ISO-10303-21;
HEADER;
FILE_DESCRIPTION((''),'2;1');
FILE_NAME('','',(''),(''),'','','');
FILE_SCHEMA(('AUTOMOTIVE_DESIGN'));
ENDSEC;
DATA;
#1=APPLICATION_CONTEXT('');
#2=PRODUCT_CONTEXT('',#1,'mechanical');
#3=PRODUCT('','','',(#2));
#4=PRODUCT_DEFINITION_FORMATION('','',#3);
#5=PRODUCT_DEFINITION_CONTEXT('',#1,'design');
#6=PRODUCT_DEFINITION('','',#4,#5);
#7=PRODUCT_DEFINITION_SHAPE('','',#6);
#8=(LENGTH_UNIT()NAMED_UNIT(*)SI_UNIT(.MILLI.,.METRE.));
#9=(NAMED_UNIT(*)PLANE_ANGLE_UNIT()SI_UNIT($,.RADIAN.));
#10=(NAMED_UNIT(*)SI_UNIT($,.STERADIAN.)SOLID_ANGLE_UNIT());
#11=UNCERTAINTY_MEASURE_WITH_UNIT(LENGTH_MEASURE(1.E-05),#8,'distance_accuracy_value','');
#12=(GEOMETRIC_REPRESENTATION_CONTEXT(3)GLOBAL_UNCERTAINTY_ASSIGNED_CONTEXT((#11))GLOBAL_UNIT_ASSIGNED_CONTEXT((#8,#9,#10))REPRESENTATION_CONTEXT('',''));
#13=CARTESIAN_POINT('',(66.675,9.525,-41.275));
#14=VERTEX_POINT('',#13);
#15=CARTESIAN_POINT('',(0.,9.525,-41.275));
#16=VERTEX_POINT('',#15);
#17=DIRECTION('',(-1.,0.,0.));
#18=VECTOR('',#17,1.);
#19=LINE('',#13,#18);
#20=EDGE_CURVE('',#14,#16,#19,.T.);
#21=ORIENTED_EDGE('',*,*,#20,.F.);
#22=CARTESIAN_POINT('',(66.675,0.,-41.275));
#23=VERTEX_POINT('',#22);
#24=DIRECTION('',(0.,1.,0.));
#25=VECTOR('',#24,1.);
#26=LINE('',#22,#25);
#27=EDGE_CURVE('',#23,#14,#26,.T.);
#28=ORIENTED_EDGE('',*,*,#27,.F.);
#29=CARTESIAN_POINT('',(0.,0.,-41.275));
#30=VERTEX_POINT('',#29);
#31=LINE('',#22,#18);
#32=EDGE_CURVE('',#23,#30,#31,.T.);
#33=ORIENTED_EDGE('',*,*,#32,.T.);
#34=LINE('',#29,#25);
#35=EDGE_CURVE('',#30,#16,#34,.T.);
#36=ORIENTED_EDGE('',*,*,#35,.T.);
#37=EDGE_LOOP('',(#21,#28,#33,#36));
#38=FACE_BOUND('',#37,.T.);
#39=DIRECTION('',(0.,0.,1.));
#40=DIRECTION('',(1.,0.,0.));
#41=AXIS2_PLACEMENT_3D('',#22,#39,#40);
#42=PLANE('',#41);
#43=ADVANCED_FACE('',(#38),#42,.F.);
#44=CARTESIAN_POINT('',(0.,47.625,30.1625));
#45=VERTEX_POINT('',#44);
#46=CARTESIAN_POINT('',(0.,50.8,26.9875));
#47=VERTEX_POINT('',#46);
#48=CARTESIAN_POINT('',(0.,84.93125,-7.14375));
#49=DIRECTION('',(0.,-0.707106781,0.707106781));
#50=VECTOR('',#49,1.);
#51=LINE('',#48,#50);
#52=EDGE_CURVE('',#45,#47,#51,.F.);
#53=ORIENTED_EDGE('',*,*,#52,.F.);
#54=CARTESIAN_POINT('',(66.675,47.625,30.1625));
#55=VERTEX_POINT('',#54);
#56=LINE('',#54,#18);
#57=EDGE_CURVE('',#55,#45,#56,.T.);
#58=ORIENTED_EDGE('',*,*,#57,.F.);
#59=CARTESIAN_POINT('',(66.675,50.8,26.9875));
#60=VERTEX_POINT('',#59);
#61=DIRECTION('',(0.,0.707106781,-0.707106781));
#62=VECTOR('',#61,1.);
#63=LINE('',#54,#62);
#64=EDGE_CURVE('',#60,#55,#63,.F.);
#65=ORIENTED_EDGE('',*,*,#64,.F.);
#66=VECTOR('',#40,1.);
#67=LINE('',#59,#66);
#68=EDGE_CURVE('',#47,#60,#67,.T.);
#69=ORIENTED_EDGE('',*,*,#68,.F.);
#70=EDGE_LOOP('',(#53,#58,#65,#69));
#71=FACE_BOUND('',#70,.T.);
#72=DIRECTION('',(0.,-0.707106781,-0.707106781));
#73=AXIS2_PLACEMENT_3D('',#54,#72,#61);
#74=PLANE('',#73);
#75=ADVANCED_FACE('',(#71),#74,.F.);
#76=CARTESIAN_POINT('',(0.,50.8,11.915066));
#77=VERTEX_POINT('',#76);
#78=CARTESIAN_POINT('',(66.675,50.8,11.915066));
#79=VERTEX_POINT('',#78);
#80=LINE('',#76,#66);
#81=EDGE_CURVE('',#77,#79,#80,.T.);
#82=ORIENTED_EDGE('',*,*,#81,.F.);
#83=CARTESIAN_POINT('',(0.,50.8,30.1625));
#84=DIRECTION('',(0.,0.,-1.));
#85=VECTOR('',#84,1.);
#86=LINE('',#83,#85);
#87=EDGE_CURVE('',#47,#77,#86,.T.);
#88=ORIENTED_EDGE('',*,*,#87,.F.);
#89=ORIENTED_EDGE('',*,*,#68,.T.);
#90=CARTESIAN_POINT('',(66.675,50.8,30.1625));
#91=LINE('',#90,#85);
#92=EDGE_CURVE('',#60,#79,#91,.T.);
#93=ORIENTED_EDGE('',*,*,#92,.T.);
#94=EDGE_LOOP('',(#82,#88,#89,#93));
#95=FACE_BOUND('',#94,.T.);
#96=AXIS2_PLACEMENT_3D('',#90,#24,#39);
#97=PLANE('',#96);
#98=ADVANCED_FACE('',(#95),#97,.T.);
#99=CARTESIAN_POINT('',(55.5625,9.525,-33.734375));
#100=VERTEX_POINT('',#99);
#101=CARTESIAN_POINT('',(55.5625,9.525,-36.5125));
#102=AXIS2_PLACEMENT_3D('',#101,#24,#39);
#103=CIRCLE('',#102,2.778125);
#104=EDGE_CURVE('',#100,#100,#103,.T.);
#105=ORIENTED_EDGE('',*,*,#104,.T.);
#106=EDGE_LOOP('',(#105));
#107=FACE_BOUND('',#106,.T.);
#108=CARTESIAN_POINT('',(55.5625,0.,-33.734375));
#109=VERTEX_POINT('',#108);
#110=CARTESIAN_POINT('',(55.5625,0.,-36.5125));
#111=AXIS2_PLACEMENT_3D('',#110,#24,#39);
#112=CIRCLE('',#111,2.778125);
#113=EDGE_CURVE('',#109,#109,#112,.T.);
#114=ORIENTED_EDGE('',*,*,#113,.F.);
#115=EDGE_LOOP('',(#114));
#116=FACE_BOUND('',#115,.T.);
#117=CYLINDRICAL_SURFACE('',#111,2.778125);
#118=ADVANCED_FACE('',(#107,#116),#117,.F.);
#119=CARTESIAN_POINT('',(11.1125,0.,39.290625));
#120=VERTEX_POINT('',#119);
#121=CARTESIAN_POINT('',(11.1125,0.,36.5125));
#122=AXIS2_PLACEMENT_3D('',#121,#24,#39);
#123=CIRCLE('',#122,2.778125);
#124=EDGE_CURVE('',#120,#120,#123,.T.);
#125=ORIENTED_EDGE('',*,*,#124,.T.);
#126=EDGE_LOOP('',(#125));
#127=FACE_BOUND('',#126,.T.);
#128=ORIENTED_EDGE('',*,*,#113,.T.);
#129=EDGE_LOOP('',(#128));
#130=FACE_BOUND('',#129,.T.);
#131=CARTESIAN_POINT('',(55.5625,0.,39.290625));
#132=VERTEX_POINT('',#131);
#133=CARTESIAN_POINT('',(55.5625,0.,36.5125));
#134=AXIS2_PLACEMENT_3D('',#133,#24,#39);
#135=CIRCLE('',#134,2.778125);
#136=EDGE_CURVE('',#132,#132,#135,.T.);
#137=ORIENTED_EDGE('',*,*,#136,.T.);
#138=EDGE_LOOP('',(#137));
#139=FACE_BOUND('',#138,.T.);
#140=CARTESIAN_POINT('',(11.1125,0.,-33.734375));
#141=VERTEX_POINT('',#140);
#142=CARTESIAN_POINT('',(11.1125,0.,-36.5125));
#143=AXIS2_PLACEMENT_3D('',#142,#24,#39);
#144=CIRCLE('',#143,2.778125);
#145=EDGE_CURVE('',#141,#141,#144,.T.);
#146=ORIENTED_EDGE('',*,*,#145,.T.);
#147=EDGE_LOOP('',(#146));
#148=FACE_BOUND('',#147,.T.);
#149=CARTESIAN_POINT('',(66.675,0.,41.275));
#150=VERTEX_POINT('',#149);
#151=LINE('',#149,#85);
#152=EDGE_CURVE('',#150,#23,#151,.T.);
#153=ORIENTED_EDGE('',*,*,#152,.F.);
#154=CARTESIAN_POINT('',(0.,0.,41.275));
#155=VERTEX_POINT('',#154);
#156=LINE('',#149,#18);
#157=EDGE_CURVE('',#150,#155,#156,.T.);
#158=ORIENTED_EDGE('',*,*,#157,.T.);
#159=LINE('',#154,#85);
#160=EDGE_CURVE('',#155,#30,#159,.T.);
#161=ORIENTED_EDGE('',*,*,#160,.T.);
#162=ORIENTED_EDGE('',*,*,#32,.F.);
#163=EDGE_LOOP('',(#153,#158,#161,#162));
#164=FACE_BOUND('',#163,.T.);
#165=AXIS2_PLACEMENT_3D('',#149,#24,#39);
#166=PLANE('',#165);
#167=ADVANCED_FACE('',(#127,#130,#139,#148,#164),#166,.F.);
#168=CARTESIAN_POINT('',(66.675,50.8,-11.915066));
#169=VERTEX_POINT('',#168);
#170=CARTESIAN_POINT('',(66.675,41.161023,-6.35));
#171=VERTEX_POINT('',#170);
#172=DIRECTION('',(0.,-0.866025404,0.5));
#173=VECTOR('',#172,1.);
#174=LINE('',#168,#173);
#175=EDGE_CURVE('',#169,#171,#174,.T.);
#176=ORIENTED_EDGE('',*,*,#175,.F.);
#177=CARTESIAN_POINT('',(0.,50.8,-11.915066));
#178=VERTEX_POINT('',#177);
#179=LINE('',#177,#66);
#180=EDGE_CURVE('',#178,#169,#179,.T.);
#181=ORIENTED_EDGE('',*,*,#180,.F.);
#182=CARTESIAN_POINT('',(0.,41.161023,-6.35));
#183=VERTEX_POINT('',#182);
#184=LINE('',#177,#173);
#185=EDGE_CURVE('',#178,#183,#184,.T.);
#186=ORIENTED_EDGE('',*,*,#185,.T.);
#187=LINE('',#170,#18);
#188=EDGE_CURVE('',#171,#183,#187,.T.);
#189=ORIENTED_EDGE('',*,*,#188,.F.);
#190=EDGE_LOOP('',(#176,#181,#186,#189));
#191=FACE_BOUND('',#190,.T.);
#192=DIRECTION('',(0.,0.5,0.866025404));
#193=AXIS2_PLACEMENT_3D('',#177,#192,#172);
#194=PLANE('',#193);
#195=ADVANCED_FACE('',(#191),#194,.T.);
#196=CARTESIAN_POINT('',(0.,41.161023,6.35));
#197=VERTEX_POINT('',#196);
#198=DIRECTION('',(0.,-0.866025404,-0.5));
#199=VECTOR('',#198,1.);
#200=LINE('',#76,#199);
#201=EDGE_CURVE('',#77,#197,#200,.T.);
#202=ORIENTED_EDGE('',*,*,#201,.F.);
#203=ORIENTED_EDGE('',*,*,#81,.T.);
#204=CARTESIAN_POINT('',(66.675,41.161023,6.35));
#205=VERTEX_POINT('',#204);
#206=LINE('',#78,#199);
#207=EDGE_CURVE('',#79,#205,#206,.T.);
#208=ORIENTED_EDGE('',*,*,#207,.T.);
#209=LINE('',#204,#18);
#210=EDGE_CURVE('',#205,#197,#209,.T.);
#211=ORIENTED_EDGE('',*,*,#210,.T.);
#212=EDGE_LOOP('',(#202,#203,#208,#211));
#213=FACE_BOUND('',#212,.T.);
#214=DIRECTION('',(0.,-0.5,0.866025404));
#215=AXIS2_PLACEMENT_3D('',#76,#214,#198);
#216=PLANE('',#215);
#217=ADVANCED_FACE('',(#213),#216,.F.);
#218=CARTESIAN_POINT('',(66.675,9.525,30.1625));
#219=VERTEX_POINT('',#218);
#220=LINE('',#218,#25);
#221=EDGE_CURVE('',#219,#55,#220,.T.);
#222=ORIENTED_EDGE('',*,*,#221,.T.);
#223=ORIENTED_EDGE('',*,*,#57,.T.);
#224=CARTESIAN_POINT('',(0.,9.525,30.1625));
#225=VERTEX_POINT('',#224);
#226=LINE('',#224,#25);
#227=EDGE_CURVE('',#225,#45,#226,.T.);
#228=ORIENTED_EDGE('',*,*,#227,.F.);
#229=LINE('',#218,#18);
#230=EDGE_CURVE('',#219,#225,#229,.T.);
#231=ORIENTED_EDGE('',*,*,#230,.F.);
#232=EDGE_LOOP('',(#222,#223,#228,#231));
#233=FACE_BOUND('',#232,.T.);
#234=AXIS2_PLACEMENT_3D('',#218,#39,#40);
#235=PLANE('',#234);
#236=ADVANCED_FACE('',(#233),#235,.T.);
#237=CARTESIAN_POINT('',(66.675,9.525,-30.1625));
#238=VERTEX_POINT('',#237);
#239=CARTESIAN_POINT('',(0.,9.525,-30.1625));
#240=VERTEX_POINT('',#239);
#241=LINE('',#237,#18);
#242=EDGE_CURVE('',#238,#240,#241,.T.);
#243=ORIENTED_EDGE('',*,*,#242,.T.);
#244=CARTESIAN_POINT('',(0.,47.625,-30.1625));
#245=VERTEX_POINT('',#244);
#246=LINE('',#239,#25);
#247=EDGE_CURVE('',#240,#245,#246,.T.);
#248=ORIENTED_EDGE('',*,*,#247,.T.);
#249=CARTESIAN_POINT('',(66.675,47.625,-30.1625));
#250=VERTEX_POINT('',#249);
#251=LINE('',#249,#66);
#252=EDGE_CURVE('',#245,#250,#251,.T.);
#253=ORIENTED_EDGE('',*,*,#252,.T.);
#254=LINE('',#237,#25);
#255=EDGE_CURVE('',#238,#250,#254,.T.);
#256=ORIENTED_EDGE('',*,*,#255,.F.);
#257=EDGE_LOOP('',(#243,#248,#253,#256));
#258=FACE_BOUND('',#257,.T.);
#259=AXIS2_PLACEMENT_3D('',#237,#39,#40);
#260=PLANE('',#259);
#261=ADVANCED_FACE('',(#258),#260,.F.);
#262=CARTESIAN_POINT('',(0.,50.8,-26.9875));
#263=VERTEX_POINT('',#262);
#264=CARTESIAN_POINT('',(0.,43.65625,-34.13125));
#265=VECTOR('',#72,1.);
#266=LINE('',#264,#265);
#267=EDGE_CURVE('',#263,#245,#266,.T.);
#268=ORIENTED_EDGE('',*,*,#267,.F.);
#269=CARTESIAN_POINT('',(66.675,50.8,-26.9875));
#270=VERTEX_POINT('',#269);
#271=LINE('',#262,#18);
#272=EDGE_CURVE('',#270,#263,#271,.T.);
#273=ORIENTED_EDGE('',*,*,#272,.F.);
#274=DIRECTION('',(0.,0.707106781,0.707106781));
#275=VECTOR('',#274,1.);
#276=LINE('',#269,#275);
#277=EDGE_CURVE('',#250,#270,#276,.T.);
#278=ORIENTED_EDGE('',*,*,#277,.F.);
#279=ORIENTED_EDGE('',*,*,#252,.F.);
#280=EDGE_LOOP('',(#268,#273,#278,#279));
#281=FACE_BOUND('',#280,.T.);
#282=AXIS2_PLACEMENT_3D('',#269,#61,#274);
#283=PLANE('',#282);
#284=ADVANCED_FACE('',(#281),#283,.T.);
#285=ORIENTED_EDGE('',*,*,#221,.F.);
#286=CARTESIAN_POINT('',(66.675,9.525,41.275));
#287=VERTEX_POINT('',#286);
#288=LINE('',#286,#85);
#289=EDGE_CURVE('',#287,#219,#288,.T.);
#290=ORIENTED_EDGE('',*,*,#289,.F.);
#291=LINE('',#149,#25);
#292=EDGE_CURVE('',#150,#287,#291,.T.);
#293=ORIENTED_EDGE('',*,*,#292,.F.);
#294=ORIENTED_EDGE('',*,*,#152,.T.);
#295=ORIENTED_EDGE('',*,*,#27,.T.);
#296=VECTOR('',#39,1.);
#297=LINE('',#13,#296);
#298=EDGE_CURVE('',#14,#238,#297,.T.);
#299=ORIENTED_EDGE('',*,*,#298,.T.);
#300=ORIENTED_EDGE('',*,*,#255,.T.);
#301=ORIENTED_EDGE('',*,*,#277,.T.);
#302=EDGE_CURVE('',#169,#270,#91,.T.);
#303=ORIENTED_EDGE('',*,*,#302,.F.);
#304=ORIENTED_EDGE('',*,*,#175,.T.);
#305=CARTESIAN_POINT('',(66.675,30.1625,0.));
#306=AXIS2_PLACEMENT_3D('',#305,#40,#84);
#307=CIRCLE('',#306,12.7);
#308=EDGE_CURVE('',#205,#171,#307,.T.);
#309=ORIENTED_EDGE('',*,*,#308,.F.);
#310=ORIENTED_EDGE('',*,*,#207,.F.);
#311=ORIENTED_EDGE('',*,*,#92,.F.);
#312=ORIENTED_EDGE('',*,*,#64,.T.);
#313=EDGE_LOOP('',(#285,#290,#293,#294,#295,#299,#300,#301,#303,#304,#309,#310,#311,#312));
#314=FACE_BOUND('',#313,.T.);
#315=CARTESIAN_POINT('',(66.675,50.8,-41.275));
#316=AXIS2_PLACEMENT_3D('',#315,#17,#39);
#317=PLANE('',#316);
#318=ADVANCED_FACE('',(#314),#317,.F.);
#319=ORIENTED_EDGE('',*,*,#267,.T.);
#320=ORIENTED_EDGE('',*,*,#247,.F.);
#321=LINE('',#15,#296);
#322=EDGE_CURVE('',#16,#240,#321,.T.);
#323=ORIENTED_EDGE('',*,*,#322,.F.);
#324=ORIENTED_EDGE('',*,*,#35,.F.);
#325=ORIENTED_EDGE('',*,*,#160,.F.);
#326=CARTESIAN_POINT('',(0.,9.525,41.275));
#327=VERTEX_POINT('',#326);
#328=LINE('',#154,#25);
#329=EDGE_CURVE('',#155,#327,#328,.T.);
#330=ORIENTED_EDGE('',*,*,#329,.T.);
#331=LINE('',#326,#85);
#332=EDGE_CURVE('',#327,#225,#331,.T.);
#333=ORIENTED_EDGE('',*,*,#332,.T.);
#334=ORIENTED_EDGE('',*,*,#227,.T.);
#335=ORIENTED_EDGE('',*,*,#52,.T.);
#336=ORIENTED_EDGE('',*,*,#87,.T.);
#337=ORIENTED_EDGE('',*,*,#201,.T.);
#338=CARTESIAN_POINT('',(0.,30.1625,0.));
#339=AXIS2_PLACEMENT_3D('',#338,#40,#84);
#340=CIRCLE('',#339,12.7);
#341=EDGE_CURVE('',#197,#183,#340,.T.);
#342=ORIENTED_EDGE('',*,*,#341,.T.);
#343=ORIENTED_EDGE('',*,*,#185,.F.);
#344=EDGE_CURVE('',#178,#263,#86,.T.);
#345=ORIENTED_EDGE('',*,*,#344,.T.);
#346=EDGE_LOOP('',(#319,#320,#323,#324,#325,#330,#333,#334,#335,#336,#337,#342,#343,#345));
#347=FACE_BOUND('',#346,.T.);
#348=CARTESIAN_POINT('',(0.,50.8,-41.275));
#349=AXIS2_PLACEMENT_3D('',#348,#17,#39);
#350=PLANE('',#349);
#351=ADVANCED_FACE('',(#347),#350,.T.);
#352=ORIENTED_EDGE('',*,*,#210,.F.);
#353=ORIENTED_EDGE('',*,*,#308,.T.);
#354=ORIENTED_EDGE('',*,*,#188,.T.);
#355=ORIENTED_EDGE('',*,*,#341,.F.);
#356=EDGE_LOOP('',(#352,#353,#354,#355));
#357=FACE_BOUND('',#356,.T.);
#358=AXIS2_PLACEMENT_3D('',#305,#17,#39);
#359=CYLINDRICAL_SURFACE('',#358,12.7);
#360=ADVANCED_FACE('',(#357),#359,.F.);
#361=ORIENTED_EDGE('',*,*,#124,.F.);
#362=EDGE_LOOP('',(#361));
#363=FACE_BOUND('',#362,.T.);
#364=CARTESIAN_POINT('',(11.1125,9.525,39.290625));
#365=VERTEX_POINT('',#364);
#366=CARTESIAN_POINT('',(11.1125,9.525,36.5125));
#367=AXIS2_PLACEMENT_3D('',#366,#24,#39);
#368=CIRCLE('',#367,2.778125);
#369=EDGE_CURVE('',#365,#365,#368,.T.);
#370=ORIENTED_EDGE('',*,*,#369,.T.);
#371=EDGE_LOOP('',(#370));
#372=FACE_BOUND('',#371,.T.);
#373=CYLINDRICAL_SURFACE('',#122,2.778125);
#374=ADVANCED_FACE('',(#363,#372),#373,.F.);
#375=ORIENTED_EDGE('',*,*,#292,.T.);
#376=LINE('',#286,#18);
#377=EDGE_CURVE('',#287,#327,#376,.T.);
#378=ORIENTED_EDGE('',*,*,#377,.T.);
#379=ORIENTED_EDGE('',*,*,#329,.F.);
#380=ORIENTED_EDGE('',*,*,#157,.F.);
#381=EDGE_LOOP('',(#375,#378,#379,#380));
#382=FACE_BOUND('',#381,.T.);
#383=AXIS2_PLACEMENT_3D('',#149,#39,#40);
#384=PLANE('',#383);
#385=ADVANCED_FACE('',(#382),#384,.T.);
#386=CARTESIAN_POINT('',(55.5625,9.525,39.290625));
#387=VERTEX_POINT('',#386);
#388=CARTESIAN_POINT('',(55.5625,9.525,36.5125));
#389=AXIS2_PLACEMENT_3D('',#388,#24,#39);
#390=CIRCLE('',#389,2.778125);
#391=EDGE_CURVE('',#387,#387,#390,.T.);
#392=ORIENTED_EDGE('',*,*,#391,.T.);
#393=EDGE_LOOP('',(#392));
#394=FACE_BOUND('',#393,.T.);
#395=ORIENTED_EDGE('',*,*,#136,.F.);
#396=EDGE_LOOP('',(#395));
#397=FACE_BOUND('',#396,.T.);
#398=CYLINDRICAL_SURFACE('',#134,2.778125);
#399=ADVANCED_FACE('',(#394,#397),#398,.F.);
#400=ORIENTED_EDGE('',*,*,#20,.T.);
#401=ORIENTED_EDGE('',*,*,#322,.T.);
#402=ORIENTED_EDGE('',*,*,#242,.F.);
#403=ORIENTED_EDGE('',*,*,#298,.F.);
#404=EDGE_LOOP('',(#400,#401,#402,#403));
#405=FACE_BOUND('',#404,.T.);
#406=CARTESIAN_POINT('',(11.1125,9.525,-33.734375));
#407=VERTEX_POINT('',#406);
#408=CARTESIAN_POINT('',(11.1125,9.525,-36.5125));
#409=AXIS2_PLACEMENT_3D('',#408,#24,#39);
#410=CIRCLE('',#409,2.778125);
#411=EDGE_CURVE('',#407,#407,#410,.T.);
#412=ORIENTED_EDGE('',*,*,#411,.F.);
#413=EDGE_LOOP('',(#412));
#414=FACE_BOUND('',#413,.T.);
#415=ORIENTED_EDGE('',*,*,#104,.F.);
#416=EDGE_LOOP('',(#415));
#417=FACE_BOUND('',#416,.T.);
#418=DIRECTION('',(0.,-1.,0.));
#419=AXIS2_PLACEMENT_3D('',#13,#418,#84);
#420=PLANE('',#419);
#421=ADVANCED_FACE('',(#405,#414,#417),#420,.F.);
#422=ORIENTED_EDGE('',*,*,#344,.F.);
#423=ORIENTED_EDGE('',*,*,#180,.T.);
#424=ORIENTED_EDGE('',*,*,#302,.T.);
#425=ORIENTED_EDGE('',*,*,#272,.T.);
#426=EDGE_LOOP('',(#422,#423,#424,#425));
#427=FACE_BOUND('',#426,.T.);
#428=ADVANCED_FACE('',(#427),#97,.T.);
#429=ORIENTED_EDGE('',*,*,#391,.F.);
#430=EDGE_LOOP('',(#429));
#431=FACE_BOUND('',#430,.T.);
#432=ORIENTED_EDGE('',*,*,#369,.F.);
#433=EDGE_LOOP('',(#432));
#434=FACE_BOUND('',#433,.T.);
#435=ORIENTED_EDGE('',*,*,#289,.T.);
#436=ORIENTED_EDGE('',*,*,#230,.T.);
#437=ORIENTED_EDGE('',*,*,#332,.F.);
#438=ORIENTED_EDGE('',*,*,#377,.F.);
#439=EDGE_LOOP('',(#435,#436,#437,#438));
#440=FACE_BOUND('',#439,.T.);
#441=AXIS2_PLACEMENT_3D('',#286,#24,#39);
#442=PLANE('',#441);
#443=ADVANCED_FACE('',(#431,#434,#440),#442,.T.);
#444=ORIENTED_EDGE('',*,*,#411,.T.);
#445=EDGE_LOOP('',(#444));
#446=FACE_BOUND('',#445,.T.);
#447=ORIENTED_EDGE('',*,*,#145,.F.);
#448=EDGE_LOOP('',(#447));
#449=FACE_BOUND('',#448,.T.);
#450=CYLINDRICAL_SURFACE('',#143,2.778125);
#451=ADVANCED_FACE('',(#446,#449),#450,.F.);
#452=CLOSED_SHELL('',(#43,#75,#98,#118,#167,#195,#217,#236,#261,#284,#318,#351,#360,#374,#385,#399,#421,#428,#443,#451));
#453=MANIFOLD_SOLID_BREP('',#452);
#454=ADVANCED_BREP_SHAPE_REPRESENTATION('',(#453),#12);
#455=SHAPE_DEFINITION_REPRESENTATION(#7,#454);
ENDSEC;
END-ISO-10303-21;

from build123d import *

# Parameters (mm, degrees)
SKETCH1_R            = 12.7
BASE_EXTRUDE_DEPTH   = 66.675
SKETCH2_R            = 2.778125
CUT_EXTRUDE1_DEPTH   = 89.61606443
LPATTERN1_COUNT      = 2
LPATTERN1_PITCH      = 44.45
LPATTERN1_COUNT_DIR2 = 2
LPATTERN1_PITCH_DIR2 = 73.025
CUT_EXTRUDE2_DEPTH   = 94.433512457
CHAMFER1_SIZE        = 3.175


with BuildPart() as part:
    # Sketch1 → Base-Extrude (new body)
    with BuildSketch(Plane(origin=(0, 0, 0), x_dir=(0, 0, -1), z_dir=(1, 0, 0))):
        Polygon((-41.275, 0), (41.275, 0), (41.275, 9.525), (30.1625, 9.525), (30.1625, 50.8), (-30.1625, 50.8), (-30.1625, 9.525), (-41.275, 9.525), align=None)
        with Locations((0, 30.1625)):
            Circle(SKETCH1_R, mode=Mode.SUBTRACT)
    extrude(amount=BASE_EXTRUDE_DEPTH)

    # Sketch2 → Cut-Extrude1 (cut, through all)
    with BuildSketch(Plane(origin=(0, 9.525, 0), x_dir=(-1, 0, 0), z_dir=(0, 1, 0))):
        with Locations(Location((-55.5625, 36.5125, 0), (0, 0, 90))):
            Circle(SKETCH2_R)
    cut_extrude1 = extrude(amount=-CUT_EXTRUDE1_DEPTH, mode=Mode.SUBTRACT)

    # LPattern1: Cut-Extrude1 2 × 2
    with Locations(*[(-i * LPATTERN1_PITCH, 0, -j * LPATTERN1_PITCH_DIR2) for i in range(LPATTERN1_COUNT) for j in range(LPATTERN1_COUNT_DIR2) if (i, j) != (0, 0)]):
        add(cut_extrude1, mode=Mode.SUBTRACT)

    # Sketch3 → Cut-Extrude2 (cut, through all)
    with BuildSketch(Plane(origin=(66.675, 0, 0), x_dir=(0, 0, -1), z_dir=(1, 0, 0))):
        Polygon((11.91506618, 50.8), (-11.91506618, 50.8), (0, 30.1625), align=None)
    extrude(amount=-CUT_EXTRUDE2_DEPTH, mode=Mode.SUBTRACT)

    # Chamfer1
    chamfer1_edges = [part.edges().sort_by_distance(p)[0] for p in [
        (33.3375, 50.8, 30.1625),
        (33.3375, 50.8, -30.1625),
    ]]
    chamfer(chamfer1_edges, length=CHAMFER1_SIZE)


solid = part.part
